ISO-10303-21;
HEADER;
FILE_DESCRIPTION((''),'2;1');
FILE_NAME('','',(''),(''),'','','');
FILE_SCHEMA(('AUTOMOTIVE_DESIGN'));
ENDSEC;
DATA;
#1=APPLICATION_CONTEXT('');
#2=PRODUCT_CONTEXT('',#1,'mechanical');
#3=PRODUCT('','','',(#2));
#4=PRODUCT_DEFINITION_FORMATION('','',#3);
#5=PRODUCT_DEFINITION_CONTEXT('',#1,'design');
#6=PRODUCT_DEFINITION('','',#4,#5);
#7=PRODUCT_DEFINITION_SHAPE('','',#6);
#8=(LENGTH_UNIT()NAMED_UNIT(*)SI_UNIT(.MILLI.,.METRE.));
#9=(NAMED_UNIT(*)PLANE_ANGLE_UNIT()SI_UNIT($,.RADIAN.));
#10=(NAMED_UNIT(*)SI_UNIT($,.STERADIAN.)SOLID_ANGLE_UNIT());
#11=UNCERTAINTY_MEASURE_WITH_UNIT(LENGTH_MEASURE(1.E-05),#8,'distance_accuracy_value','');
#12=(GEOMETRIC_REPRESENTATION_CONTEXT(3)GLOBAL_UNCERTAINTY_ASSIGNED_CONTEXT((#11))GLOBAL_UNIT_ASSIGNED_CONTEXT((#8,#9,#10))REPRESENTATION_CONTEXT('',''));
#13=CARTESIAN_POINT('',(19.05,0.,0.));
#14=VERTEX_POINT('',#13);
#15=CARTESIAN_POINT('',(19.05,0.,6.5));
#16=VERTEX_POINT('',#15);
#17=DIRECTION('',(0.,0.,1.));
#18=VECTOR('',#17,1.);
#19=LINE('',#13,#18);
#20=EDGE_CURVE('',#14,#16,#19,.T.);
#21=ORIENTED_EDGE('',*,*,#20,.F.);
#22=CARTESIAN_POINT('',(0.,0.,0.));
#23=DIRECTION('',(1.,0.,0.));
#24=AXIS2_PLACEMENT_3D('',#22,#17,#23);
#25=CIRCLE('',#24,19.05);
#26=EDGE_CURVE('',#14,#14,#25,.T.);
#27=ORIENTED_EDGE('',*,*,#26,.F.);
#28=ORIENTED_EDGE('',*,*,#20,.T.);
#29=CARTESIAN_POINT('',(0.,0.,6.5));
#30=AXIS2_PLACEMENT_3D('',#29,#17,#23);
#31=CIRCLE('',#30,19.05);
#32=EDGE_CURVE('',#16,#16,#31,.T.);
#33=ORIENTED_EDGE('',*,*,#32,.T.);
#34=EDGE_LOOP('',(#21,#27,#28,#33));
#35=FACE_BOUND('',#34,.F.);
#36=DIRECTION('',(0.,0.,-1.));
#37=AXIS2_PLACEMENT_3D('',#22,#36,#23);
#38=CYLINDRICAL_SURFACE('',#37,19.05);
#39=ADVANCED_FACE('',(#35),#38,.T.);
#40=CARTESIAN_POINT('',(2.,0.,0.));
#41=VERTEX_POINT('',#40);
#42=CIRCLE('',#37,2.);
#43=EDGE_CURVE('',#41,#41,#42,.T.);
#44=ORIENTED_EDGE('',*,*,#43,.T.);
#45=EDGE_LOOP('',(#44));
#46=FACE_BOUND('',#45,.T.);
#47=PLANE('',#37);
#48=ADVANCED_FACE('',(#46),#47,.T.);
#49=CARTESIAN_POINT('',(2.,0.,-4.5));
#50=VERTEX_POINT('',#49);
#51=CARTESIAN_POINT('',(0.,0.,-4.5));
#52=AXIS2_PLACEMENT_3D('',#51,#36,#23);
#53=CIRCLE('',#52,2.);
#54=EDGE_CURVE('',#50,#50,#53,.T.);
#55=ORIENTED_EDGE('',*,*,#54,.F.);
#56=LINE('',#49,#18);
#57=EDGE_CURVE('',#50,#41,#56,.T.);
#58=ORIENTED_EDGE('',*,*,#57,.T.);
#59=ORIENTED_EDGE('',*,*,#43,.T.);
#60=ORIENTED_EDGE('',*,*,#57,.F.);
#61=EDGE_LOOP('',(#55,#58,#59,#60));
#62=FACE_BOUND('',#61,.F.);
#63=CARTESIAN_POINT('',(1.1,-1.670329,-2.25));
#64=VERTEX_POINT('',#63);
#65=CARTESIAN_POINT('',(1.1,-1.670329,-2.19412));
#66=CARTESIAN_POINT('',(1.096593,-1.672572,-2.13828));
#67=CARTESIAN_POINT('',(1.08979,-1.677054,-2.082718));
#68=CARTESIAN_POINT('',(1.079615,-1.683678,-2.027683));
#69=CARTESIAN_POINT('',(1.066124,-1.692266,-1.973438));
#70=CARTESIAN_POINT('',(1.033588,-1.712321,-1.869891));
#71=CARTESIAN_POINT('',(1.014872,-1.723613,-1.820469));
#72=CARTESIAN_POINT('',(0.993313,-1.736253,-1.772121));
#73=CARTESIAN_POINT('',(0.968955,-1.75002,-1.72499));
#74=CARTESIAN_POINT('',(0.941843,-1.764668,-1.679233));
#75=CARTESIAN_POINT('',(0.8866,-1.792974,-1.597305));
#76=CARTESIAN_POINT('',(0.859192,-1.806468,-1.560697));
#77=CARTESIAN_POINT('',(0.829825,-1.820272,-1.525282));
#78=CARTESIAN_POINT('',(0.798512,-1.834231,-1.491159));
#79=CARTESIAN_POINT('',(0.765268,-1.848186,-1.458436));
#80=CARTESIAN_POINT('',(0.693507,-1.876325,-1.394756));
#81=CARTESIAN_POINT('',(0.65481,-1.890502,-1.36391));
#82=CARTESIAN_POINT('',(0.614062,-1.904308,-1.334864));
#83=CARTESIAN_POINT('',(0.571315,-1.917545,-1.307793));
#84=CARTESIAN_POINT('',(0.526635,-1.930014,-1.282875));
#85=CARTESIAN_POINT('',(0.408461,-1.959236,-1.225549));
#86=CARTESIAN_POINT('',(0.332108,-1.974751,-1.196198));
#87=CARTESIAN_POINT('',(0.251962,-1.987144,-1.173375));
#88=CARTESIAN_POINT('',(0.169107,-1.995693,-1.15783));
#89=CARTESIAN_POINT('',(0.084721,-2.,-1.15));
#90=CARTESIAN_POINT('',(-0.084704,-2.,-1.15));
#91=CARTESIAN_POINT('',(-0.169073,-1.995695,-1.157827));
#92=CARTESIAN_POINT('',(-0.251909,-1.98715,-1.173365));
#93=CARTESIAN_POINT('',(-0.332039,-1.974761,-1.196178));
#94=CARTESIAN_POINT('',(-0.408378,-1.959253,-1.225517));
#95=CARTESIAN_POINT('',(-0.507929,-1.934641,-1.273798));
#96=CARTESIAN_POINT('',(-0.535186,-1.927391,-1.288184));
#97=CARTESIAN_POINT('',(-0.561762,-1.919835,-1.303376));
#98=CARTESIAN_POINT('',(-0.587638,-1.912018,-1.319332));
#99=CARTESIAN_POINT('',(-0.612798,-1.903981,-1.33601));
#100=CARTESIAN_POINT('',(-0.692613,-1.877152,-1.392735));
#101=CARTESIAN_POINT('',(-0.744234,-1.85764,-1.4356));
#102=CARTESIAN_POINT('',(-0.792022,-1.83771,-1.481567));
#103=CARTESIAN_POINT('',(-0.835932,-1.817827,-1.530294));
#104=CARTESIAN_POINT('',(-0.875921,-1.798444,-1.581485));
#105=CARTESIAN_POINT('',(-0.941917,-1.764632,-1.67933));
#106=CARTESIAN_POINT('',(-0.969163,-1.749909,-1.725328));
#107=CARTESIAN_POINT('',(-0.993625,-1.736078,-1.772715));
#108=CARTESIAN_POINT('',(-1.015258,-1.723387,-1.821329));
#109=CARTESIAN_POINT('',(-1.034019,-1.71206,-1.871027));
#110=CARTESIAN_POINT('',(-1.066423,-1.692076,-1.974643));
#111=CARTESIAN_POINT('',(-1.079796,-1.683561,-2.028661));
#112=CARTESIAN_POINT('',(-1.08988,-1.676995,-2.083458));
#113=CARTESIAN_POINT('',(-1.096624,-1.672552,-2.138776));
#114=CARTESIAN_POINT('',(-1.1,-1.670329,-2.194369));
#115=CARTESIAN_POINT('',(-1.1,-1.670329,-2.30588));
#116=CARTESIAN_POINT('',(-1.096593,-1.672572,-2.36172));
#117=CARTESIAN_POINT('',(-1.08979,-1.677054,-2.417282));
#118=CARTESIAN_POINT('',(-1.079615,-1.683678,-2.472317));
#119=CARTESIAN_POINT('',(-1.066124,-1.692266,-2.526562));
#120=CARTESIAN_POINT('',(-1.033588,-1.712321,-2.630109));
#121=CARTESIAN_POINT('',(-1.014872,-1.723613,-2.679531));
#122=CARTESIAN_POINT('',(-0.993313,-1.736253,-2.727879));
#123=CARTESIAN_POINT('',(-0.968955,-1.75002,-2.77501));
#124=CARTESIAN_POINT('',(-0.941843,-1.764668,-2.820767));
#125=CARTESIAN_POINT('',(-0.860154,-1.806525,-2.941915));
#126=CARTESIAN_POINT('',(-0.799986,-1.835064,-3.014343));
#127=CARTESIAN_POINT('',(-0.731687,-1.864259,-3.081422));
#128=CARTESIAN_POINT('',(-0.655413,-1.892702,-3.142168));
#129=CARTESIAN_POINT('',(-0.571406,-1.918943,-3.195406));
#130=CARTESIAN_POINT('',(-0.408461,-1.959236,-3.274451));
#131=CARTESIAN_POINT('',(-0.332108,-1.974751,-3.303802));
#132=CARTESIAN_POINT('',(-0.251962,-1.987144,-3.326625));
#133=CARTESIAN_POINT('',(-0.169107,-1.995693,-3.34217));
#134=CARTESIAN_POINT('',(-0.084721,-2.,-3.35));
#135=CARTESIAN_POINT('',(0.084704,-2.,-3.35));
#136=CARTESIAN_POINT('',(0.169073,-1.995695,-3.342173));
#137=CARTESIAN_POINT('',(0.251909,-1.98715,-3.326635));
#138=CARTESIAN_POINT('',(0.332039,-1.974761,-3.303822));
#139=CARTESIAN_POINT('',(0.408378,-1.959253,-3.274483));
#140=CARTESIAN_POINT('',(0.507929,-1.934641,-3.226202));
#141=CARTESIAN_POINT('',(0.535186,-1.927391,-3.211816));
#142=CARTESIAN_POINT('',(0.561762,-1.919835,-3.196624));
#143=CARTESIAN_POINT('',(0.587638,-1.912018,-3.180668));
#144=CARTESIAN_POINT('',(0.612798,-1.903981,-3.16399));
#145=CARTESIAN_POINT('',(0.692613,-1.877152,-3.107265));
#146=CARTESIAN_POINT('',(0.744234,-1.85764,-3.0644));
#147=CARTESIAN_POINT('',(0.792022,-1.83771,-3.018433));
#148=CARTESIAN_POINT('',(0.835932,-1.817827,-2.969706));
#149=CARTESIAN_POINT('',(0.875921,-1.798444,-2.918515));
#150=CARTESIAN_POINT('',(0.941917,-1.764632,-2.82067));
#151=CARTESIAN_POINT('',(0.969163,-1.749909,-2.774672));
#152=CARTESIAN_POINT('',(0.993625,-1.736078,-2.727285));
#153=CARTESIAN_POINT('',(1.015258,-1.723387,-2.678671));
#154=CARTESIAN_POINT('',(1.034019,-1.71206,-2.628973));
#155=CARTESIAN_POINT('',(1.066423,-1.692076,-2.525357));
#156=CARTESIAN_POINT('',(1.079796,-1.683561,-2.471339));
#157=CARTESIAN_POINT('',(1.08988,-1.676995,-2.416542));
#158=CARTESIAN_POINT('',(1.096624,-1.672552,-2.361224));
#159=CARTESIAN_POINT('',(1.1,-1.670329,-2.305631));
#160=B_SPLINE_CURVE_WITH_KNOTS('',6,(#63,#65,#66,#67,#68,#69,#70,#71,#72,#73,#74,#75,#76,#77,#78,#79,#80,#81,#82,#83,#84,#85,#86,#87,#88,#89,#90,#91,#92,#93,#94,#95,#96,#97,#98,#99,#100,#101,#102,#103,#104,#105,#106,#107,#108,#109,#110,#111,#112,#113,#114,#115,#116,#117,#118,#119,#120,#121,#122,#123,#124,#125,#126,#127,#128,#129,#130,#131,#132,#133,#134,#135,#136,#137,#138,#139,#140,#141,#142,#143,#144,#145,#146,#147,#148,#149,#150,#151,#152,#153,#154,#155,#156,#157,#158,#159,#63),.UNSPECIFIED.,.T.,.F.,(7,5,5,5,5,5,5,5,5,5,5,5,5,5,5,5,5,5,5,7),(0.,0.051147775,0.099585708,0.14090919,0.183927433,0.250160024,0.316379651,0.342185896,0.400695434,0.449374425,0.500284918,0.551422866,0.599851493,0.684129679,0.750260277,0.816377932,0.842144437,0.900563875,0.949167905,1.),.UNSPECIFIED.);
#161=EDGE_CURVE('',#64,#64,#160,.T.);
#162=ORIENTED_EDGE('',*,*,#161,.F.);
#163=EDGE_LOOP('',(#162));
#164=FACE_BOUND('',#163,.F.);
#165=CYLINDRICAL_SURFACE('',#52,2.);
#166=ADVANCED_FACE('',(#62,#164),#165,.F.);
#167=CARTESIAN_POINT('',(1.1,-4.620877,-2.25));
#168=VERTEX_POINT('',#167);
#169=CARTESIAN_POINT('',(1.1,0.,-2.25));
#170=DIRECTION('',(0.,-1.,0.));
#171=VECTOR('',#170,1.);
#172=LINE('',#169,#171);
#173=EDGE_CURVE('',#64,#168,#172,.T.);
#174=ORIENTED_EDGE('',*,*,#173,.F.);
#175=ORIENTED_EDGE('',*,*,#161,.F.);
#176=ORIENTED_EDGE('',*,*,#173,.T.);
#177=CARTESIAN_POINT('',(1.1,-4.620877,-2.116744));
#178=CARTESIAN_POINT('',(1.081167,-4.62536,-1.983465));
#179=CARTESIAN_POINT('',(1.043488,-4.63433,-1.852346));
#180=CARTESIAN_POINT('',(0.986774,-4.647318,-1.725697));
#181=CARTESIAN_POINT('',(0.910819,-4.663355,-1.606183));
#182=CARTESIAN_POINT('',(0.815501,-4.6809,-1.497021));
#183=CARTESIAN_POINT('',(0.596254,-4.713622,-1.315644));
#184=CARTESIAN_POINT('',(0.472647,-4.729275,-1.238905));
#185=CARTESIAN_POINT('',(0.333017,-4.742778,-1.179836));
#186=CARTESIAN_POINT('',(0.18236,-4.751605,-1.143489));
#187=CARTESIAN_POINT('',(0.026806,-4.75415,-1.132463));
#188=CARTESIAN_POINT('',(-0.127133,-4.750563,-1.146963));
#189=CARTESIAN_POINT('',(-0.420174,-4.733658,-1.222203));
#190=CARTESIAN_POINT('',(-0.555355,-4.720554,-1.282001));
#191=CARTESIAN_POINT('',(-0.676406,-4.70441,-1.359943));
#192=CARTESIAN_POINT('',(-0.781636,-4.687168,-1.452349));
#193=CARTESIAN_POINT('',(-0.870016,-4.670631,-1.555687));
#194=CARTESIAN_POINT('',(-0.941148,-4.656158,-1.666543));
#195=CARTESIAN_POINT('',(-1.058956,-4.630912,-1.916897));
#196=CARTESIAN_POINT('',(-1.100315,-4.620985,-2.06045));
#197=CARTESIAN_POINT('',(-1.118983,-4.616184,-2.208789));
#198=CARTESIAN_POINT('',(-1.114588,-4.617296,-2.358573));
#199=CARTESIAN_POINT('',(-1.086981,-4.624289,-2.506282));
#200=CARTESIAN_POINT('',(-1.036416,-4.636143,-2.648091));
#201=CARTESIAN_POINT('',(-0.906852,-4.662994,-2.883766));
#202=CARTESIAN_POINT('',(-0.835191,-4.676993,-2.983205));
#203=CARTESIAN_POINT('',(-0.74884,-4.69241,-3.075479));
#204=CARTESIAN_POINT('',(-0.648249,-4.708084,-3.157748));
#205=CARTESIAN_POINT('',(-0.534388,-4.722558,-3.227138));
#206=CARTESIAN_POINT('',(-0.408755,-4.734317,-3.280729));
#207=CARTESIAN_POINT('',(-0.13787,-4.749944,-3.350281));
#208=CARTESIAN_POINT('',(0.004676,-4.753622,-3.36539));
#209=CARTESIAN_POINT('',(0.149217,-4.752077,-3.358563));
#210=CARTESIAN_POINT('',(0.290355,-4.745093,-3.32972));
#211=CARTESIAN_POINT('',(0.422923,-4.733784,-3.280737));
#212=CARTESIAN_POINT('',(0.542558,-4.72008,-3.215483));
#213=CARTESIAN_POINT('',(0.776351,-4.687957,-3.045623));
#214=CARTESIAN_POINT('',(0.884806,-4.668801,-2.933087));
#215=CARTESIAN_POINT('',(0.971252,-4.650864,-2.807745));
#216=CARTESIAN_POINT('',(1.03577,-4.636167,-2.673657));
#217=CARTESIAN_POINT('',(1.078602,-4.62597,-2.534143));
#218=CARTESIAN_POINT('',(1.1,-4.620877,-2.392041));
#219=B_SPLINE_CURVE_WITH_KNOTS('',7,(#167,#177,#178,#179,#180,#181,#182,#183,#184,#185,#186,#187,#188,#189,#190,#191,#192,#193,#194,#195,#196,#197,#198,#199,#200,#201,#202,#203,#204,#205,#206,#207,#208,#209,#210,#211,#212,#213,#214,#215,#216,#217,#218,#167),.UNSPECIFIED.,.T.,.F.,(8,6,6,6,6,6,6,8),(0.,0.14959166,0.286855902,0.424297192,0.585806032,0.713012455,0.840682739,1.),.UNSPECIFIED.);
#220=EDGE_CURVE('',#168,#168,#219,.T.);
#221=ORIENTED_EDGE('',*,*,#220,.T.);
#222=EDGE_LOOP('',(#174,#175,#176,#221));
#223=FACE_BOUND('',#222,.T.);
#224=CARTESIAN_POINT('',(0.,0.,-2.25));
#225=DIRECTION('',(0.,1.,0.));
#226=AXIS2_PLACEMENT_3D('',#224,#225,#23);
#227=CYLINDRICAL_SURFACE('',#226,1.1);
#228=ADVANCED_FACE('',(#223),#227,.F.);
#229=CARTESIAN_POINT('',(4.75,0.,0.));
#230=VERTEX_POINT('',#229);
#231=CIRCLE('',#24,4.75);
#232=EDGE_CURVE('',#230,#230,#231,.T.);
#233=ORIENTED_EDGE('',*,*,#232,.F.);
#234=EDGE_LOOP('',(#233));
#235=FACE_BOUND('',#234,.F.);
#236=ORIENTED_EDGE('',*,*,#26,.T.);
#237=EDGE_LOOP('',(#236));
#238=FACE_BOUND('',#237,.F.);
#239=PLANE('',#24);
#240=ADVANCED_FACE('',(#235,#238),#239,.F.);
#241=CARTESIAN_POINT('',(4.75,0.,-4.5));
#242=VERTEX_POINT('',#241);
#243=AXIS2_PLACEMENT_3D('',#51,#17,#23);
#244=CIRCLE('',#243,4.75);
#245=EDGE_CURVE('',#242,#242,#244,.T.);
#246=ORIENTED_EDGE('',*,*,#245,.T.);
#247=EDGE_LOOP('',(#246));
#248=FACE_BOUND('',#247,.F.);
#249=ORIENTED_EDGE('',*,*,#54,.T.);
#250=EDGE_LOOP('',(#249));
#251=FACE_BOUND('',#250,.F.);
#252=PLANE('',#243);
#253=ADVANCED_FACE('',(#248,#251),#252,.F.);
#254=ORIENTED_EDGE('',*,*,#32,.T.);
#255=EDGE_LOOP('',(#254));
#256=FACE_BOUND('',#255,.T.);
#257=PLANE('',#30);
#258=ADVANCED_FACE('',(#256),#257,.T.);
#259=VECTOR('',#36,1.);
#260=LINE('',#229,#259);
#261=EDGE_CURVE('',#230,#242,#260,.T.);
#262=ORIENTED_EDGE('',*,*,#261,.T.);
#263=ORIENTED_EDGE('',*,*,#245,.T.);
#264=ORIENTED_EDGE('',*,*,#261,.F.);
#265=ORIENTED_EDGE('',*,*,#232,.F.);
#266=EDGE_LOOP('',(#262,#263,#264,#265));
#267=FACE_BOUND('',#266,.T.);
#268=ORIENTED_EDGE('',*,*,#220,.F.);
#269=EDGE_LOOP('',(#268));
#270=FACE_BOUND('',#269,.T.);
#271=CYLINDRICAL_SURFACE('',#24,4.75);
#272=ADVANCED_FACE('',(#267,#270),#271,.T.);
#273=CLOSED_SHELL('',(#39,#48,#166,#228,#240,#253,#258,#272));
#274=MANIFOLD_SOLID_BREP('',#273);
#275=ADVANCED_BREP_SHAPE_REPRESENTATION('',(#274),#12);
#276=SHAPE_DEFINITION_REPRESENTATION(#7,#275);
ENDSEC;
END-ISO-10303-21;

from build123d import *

# Parameters (mm, degrees)
F0_R     = 19.05
F0_R_2   = 4.75
F1_DEPTH = 6.5
F2_DEPTH = 4.5
F3_R     = 2
F4_DEPTH = 4.5
F5_R     = 1.1
F6_DEPTH = 5


with BuildPart() as f1:
    # F0 (on Top) → F1 (new body)
    with BuildSketch(Plane.XY):
        Circle(F0_R)
        Circle(F0_R_2, mode=Mode.SUBTRACT)
        Circle(F0_R_2)
    extrude(amount=F1_DEPTH)

    # F0 (on Top) → F2 (join)
    with BuildSketch(Plane.XY):
        Circle(F0_R_2)
    extrude(amount=-F2_DEPTH)

    # F3 (on face) → F4 (cut)
    with BuildSketch(Plane(origin=(0, 0, -4.5), x_dir=(1, 0, 0), z_dir=(0, 0, -1))):
        Circle(F3_R)
    extrude(amount=-F4_DEPTH, mode=Mode.SUBTRACT)

    # F5 (on Front) → F6 (cut)
    with BuildSketch(Plane.XZ):
        with Locations((0, -2.25)):
            Circle(F5_R)
    extrude(amount=F6_DEPTH, mode=Mode.SUBTRACT)


solid = f1.part
